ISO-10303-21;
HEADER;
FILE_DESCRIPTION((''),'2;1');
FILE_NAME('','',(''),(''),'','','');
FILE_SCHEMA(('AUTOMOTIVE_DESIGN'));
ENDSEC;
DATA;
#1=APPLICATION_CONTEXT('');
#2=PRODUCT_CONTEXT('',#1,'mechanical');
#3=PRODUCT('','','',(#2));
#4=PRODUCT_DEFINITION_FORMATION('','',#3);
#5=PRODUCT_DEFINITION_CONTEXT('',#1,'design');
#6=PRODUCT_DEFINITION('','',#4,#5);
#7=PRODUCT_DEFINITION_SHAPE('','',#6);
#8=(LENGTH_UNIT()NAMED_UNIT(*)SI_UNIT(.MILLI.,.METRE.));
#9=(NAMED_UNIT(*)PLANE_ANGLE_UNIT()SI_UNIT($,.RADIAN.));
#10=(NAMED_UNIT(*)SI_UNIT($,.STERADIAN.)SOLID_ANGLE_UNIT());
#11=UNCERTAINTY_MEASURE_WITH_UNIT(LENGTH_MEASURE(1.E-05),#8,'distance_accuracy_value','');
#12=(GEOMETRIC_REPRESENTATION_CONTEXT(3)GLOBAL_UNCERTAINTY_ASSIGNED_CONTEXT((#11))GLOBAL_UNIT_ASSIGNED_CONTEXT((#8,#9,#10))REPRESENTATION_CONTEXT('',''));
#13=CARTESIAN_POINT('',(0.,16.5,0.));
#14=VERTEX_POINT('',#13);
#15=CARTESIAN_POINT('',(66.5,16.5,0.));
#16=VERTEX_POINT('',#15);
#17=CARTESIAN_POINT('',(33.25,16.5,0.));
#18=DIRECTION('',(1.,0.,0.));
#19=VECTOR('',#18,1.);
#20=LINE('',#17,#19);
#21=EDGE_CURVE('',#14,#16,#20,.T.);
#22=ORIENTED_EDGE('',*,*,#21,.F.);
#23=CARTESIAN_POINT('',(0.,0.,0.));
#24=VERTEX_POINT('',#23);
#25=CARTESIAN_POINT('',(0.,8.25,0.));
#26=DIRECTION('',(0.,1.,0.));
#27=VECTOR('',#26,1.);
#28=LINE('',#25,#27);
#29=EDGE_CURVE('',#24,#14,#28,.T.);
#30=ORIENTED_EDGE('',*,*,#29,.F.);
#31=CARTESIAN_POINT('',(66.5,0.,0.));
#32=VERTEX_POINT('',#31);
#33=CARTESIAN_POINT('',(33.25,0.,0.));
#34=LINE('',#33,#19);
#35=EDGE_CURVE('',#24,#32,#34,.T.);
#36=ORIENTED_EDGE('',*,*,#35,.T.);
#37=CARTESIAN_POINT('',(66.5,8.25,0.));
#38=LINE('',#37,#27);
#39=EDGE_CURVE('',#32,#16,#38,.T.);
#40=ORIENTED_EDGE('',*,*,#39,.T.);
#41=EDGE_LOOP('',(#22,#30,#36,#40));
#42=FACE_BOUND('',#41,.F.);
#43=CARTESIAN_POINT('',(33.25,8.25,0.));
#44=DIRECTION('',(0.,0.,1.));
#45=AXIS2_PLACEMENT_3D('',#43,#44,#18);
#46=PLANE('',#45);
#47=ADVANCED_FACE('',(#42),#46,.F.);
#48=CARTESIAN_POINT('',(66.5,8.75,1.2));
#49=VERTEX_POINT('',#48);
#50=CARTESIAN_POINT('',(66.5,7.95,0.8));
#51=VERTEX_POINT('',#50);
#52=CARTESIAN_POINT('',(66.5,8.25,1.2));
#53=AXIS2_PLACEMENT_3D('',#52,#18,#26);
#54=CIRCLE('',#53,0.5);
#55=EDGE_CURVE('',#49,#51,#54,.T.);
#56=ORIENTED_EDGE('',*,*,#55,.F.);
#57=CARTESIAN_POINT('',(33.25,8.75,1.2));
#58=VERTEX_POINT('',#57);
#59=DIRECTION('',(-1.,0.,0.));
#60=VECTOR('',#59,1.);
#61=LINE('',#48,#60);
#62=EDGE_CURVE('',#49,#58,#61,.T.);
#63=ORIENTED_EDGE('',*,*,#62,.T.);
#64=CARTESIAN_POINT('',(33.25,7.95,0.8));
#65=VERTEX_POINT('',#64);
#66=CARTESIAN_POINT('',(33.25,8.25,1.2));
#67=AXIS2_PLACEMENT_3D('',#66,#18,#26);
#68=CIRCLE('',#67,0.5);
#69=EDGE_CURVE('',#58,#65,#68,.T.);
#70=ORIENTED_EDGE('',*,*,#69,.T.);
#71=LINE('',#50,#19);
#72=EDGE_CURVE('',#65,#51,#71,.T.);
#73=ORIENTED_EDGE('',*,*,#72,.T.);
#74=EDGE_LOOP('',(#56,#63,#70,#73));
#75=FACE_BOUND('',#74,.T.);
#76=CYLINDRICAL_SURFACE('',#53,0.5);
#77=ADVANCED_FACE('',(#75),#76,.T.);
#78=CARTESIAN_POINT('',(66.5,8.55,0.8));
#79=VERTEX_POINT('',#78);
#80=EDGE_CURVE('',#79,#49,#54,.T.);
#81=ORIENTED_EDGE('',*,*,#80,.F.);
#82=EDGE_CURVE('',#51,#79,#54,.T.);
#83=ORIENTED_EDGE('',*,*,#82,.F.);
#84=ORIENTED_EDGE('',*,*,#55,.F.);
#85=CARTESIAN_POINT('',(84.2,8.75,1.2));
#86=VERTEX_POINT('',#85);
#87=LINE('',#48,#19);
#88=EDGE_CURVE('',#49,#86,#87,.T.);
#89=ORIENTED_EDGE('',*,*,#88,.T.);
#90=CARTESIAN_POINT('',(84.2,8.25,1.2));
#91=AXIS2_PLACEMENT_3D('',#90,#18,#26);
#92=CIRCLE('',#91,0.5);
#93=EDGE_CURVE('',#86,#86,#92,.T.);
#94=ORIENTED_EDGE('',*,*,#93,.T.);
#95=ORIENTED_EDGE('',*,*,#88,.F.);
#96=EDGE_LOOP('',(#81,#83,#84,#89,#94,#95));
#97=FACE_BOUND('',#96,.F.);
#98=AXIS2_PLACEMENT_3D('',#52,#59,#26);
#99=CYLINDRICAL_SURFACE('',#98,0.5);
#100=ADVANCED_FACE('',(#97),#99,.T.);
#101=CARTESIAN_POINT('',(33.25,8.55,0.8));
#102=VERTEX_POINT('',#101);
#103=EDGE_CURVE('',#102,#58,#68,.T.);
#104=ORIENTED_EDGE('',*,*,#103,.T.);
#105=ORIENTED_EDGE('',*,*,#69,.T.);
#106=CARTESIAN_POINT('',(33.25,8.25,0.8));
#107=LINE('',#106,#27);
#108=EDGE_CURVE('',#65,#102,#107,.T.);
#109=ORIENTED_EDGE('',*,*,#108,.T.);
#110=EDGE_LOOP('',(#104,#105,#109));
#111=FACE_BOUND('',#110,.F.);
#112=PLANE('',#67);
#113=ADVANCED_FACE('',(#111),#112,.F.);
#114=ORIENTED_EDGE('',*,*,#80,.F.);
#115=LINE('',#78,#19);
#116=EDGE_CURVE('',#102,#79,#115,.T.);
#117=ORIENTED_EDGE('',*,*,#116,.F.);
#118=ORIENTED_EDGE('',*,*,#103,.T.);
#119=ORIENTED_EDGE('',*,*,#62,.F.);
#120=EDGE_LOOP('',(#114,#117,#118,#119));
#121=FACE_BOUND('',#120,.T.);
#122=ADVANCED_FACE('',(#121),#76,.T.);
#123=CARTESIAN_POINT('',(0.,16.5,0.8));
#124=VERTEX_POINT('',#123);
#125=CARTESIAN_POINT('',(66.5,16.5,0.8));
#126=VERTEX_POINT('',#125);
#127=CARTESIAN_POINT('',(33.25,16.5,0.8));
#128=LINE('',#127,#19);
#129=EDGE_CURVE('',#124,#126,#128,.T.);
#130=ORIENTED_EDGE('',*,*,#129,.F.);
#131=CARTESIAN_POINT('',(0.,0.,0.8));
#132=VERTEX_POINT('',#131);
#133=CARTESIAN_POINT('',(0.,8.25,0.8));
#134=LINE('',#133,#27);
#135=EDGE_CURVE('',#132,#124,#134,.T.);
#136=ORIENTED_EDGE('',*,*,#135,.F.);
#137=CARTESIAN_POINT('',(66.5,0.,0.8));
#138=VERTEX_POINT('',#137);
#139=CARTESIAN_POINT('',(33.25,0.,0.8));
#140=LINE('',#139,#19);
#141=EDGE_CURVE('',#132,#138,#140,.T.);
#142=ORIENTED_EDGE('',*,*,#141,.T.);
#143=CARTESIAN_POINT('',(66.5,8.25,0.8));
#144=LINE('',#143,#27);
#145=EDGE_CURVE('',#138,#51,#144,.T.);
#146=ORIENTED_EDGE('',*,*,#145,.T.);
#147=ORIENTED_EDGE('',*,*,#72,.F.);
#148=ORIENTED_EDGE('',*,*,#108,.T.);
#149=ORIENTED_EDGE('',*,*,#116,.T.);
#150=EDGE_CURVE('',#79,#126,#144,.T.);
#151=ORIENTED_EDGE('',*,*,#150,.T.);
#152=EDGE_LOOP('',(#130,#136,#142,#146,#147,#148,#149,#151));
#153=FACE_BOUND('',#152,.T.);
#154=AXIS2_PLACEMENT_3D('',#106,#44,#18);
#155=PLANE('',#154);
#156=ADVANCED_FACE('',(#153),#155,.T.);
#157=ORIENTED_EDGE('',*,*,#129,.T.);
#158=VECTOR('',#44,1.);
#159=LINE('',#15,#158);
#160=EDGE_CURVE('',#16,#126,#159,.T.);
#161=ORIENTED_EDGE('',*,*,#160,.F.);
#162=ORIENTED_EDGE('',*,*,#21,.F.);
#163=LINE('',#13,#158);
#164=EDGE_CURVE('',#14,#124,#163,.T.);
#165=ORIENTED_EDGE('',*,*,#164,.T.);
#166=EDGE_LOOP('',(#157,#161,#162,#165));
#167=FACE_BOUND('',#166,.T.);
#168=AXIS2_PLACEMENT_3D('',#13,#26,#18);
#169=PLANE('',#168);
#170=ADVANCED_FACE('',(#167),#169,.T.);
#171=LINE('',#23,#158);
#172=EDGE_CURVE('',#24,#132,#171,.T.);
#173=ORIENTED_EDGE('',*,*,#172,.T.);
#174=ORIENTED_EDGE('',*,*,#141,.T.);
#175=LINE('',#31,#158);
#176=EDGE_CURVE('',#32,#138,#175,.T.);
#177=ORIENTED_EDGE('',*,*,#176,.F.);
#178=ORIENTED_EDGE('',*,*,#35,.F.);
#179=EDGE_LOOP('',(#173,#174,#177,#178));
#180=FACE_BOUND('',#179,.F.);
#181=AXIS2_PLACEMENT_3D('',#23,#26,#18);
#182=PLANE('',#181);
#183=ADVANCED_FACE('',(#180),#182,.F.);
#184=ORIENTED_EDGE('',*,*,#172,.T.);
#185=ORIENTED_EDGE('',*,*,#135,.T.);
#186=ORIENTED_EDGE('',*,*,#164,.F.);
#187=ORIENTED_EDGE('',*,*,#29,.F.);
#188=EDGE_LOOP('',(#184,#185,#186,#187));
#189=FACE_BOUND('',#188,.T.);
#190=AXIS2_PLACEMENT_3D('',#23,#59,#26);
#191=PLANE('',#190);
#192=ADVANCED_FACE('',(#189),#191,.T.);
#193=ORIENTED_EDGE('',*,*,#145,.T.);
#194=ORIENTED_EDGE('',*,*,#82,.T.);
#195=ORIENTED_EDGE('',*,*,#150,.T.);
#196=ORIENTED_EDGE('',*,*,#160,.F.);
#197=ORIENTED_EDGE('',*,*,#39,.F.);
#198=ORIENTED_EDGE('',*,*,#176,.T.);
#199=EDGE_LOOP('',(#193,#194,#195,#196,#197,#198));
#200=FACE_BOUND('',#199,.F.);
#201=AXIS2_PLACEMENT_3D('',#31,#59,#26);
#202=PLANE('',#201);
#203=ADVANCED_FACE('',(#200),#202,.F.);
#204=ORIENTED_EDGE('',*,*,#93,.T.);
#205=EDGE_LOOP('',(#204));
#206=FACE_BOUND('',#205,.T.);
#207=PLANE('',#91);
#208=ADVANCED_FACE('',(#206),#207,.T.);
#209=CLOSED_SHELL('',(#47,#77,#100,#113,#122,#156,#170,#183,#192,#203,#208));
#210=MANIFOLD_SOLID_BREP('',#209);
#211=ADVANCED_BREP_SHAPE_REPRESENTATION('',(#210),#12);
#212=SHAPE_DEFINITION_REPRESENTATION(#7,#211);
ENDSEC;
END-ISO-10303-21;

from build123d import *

# Parameters (mm, degrees)
F0_W          = 66.5
F0_H          = 16.5
F1_DEPTH      = 0.8
F2_R          = 0.5
F3_DEPTH      = 17.7
F3_DEPTH_BACK = 33.25


with BuildPart() as f1:
    # F0 (on Top) → F1 (new body)
    with BuildSketch(Plane.XY):
        with Locations((33.25, 8.25)):
            Rectangle(F0_W, F0_H)
    extrude(amount=F1_DEPTH)

    # F2 (on face) → F3 (join, two sides)
    with BuildSketch(Plane.YZ.offset(66.5)) as f3_sk:
        with Locations((8.25, 1.2)):
            Circle(F2_R)
    extrude(amount=F3_DEPTH)
    extrude(f3_sk.sketch, amount=-F3_DEPTH_BACK)


solid = f1.part
